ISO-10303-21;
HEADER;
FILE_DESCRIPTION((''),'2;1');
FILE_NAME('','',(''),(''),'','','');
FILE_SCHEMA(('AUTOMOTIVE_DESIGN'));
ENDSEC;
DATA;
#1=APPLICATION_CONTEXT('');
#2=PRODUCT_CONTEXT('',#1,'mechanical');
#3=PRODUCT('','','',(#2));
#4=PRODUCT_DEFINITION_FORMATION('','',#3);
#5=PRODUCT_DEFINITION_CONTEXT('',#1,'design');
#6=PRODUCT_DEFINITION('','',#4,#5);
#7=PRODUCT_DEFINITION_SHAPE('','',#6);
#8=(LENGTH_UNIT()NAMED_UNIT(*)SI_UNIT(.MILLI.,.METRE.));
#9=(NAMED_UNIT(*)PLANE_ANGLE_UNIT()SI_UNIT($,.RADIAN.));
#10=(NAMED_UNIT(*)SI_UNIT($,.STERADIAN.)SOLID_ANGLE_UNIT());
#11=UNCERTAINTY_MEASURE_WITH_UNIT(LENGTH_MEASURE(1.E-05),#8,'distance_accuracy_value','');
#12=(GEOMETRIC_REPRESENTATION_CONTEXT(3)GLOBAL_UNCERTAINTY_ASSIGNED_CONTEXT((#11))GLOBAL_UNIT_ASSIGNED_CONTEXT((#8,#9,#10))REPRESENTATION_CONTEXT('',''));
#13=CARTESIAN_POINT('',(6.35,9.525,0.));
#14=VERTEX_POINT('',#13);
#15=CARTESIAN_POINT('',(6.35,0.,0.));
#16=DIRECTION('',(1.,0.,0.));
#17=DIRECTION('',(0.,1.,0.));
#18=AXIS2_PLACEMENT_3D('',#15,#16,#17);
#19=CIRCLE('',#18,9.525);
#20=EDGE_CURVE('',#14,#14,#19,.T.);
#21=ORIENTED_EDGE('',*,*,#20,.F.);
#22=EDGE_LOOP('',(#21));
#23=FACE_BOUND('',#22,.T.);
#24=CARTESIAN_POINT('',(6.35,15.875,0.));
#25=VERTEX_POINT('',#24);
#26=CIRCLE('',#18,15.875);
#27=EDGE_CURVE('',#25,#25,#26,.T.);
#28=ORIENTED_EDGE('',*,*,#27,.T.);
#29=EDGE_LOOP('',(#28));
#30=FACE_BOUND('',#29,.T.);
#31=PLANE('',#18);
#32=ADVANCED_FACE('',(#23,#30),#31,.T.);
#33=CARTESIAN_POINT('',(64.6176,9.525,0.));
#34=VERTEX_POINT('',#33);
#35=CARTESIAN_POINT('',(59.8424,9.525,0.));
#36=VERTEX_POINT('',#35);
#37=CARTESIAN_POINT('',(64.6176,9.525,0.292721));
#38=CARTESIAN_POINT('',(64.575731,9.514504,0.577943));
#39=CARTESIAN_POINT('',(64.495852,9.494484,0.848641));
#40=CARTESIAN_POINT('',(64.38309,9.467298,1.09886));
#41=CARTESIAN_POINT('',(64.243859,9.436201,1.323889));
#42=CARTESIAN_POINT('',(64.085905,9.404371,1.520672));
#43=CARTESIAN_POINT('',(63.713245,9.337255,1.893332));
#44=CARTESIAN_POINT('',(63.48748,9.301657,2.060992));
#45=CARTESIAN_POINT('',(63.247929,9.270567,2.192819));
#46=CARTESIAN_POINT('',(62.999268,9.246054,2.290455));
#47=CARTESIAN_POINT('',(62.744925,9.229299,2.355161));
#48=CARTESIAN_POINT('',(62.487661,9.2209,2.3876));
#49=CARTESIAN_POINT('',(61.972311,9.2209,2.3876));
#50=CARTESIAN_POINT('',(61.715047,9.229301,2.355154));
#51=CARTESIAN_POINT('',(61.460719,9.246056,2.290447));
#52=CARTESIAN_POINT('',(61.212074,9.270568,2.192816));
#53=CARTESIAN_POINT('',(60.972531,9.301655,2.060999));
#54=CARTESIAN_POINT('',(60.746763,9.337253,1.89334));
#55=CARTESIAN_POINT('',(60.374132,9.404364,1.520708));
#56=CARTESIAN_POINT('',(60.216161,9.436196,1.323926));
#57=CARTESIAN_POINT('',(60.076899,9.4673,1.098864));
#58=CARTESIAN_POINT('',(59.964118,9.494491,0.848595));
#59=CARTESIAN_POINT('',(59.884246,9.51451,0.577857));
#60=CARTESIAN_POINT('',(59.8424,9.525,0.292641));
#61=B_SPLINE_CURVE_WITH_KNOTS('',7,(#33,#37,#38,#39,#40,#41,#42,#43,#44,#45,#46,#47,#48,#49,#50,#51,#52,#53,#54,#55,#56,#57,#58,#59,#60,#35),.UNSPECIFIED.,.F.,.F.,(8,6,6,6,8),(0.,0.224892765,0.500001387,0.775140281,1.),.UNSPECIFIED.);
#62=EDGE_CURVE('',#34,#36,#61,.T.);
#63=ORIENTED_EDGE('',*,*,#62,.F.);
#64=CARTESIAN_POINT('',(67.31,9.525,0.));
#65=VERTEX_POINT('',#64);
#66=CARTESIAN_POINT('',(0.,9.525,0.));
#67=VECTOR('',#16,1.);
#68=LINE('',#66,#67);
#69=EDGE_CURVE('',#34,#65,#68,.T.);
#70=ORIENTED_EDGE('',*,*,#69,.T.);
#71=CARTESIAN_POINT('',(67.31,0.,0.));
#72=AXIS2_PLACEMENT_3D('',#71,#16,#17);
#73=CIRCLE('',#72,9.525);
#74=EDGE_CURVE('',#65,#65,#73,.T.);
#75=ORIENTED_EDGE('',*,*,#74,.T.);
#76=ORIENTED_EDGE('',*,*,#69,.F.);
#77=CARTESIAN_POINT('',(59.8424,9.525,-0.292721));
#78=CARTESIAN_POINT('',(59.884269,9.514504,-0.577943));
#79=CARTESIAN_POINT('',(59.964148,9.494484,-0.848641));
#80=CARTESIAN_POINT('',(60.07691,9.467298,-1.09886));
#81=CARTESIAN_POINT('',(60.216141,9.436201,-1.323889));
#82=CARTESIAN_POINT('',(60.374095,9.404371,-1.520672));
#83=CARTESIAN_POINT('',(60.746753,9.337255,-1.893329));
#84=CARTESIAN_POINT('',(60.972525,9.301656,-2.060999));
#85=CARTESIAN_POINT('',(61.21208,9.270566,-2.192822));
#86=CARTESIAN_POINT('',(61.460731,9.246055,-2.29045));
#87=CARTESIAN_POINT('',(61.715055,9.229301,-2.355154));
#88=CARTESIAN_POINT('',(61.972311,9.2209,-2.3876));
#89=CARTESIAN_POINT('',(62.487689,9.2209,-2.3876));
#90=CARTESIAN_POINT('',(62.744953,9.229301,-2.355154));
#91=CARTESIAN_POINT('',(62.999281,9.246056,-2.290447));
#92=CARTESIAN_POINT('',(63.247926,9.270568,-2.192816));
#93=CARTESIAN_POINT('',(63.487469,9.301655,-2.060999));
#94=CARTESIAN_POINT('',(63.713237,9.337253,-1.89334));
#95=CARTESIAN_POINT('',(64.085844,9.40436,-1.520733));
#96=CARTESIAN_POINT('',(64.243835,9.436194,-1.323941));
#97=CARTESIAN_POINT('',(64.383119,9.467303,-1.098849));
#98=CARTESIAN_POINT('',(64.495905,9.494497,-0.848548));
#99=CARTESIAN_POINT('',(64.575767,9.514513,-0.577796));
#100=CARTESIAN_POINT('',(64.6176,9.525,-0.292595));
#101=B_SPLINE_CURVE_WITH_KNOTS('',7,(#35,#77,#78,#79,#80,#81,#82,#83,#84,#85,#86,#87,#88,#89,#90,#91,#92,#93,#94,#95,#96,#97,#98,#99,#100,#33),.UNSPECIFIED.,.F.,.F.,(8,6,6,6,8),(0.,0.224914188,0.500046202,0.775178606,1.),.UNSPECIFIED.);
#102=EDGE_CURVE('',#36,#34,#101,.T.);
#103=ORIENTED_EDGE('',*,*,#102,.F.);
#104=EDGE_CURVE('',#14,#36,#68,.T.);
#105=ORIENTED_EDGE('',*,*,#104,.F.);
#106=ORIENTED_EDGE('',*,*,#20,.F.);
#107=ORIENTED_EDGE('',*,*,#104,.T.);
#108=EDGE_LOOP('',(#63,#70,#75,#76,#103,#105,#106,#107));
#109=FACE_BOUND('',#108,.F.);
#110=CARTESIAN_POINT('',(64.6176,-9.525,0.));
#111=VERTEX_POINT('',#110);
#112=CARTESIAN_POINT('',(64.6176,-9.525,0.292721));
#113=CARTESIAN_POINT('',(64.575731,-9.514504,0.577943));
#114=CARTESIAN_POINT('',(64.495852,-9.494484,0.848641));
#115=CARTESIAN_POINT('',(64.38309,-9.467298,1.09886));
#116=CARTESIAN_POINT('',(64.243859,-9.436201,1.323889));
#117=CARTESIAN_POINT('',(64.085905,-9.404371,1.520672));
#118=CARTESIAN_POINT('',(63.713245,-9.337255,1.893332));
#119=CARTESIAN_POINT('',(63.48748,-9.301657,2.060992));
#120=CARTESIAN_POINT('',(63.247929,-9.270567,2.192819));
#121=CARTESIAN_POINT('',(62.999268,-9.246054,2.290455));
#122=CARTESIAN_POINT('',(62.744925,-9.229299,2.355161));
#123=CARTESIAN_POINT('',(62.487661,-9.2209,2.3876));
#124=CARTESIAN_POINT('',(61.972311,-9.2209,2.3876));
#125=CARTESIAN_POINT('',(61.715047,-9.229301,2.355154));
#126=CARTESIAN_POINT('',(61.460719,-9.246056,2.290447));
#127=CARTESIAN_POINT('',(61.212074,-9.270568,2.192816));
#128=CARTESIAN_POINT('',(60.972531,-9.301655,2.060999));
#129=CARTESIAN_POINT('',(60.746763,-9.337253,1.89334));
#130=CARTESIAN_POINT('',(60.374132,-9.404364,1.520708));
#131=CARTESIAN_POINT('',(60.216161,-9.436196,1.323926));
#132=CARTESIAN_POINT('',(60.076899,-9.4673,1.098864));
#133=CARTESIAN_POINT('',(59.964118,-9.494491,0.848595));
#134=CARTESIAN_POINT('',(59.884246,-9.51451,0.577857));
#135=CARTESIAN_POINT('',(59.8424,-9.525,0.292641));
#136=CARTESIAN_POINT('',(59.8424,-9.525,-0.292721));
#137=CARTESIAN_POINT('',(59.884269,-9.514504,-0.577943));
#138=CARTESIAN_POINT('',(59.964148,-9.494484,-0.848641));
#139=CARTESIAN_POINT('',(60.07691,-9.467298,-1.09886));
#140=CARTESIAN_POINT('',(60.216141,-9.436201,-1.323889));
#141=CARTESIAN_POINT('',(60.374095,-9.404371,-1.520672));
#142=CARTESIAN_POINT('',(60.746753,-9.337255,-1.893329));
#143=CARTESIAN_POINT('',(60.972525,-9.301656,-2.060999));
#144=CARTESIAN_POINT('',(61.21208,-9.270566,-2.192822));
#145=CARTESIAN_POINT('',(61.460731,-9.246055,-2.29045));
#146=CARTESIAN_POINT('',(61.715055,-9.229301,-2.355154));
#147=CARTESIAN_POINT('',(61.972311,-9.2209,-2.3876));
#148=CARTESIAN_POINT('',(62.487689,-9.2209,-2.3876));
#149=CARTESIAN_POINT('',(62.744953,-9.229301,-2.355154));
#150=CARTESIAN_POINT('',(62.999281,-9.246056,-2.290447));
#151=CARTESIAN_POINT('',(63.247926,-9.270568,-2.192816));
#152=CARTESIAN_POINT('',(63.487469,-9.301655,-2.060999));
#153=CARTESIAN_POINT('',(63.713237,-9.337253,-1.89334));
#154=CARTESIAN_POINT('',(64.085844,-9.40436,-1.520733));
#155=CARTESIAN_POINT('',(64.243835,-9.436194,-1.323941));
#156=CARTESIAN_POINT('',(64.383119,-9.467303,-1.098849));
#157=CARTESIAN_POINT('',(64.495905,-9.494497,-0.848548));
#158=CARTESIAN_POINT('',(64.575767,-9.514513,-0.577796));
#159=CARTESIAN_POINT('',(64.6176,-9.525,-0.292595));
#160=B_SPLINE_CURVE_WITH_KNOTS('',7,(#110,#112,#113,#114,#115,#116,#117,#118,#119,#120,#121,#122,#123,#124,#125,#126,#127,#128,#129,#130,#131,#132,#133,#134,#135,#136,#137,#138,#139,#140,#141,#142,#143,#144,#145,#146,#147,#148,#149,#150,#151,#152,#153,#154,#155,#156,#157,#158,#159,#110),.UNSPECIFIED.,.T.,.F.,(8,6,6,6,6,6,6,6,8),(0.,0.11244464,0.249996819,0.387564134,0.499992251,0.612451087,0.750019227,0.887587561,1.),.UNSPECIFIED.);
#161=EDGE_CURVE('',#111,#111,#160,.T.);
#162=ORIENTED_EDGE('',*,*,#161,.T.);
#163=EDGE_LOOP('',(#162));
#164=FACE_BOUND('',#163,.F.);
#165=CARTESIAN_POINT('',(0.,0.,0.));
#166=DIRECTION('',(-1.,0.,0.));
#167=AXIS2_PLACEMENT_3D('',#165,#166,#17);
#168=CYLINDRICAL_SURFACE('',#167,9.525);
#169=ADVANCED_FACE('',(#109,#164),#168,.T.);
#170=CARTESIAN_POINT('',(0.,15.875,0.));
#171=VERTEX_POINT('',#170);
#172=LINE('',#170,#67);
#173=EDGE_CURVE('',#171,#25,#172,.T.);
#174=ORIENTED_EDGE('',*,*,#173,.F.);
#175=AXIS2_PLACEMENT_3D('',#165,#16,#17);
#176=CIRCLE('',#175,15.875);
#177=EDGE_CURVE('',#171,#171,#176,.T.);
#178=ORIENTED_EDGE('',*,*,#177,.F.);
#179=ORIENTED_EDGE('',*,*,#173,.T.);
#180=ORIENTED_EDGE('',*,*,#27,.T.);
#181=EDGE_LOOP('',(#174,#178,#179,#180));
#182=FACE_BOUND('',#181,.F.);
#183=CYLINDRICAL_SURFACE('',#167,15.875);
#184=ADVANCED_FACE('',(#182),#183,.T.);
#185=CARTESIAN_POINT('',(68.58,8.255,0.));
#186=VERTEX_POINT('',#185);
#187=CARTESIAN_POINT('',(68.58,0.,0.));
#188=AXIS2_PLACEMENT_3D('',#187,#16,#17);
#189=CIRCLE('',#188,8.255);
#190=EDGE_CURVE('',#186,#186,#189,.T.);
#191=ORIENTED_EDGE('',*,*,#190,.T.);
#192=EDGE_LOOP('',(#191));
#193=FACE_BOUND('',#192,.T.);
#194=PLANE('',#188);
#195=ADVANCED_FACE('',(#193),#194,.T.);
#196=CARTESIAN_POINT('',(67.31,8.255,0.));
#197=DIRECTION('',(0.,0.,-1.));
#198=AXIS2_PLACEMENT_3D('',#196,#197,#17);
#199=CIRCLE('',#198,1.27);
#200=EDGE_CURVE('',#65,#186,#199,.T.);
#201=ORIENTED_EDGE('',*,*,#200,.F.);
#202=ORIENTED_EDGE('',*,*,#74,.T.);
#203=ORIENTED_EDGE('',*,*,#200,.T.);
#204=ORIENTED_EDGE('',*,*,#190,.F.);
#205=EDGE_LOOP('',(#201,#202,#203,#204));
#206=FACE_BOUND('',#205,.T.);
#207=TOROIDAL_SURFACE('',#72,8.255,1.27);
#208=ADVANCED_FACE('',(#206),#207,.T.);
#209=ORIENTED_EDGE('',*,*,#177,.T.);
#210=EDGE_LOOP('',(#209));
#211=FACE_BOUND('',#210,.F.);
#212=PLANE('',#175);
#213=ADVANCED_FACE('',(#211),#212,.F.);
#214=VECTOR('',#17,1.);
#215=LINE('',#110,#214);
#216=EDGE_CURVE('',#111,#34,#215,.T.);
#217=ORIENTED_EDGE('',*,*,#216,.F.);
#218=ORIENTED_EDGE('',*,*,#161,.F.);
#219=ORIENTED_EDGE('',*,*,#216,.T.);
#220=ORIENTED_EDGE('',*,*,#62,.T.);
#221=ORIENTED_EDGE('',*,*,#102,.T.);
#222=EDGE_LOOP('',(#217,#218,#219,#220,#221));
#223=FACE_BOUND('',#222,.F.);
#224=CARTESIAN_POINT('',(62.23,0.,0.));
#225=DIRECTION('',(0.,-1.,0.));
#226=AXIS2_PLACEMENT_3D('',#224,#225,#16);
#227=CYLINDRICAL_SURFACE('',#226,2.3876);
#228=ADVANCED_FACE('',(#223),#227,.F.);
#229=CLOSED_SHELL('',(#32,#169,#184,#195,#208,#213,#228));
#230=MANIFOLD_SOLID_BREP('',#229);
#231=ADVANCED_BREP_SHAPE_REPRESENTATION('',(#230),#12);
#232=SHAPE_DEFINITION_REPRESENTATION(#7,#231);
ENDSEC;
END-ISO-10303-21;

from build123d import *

# Parameters (mm, degrees)
F0_R          = 15.875
F0_R_2        = 9.525
F1_DEPTH      = 6.35
F2_DEPTH      = 68.58
F3_R          = 2.3876
F4_DEPTH      = 15.876
F4_DEPTH_BACK = 25.4
F5_R          = 1.27


with BuildPart() as f1:
    # F0 (on Right) → F1 (new body)
    with BuildSketch(Plane.YZ):
        Circle(F0_R)
        Circle(F0_R_2, mode=Mode.SUBTRACT)
    extrude(amount=F1_DEPTH)

    # F0 (on Right) → F2 (join)
    with BuildSketch(Plane.YZ):
        Circle(F0_R_2)
    extrude(amount=F2_DEPTH)

    # F3 (on Front) → F4 (cut, two sides)
    with BuildSketch(Plane.XZ) as f4_sk:
        with Locations((62.23, 0)):
            Circle(F3_R)
    extrude(amount=-F4_DEPTH, mode=Mode.SUBTRACT)
    extrude(f4_sk.sketch, amount=F4_DEPTH_BACK, mode=Mode.SUBTRACT)

    # F5
    f5_edges = [f1.edges().sort_by_distance(p)[0] for p in [
        (68.58, -9.525, 0),
    ]]
    fillet(f5_edges, radius=F5_R)


solid = f1.part
